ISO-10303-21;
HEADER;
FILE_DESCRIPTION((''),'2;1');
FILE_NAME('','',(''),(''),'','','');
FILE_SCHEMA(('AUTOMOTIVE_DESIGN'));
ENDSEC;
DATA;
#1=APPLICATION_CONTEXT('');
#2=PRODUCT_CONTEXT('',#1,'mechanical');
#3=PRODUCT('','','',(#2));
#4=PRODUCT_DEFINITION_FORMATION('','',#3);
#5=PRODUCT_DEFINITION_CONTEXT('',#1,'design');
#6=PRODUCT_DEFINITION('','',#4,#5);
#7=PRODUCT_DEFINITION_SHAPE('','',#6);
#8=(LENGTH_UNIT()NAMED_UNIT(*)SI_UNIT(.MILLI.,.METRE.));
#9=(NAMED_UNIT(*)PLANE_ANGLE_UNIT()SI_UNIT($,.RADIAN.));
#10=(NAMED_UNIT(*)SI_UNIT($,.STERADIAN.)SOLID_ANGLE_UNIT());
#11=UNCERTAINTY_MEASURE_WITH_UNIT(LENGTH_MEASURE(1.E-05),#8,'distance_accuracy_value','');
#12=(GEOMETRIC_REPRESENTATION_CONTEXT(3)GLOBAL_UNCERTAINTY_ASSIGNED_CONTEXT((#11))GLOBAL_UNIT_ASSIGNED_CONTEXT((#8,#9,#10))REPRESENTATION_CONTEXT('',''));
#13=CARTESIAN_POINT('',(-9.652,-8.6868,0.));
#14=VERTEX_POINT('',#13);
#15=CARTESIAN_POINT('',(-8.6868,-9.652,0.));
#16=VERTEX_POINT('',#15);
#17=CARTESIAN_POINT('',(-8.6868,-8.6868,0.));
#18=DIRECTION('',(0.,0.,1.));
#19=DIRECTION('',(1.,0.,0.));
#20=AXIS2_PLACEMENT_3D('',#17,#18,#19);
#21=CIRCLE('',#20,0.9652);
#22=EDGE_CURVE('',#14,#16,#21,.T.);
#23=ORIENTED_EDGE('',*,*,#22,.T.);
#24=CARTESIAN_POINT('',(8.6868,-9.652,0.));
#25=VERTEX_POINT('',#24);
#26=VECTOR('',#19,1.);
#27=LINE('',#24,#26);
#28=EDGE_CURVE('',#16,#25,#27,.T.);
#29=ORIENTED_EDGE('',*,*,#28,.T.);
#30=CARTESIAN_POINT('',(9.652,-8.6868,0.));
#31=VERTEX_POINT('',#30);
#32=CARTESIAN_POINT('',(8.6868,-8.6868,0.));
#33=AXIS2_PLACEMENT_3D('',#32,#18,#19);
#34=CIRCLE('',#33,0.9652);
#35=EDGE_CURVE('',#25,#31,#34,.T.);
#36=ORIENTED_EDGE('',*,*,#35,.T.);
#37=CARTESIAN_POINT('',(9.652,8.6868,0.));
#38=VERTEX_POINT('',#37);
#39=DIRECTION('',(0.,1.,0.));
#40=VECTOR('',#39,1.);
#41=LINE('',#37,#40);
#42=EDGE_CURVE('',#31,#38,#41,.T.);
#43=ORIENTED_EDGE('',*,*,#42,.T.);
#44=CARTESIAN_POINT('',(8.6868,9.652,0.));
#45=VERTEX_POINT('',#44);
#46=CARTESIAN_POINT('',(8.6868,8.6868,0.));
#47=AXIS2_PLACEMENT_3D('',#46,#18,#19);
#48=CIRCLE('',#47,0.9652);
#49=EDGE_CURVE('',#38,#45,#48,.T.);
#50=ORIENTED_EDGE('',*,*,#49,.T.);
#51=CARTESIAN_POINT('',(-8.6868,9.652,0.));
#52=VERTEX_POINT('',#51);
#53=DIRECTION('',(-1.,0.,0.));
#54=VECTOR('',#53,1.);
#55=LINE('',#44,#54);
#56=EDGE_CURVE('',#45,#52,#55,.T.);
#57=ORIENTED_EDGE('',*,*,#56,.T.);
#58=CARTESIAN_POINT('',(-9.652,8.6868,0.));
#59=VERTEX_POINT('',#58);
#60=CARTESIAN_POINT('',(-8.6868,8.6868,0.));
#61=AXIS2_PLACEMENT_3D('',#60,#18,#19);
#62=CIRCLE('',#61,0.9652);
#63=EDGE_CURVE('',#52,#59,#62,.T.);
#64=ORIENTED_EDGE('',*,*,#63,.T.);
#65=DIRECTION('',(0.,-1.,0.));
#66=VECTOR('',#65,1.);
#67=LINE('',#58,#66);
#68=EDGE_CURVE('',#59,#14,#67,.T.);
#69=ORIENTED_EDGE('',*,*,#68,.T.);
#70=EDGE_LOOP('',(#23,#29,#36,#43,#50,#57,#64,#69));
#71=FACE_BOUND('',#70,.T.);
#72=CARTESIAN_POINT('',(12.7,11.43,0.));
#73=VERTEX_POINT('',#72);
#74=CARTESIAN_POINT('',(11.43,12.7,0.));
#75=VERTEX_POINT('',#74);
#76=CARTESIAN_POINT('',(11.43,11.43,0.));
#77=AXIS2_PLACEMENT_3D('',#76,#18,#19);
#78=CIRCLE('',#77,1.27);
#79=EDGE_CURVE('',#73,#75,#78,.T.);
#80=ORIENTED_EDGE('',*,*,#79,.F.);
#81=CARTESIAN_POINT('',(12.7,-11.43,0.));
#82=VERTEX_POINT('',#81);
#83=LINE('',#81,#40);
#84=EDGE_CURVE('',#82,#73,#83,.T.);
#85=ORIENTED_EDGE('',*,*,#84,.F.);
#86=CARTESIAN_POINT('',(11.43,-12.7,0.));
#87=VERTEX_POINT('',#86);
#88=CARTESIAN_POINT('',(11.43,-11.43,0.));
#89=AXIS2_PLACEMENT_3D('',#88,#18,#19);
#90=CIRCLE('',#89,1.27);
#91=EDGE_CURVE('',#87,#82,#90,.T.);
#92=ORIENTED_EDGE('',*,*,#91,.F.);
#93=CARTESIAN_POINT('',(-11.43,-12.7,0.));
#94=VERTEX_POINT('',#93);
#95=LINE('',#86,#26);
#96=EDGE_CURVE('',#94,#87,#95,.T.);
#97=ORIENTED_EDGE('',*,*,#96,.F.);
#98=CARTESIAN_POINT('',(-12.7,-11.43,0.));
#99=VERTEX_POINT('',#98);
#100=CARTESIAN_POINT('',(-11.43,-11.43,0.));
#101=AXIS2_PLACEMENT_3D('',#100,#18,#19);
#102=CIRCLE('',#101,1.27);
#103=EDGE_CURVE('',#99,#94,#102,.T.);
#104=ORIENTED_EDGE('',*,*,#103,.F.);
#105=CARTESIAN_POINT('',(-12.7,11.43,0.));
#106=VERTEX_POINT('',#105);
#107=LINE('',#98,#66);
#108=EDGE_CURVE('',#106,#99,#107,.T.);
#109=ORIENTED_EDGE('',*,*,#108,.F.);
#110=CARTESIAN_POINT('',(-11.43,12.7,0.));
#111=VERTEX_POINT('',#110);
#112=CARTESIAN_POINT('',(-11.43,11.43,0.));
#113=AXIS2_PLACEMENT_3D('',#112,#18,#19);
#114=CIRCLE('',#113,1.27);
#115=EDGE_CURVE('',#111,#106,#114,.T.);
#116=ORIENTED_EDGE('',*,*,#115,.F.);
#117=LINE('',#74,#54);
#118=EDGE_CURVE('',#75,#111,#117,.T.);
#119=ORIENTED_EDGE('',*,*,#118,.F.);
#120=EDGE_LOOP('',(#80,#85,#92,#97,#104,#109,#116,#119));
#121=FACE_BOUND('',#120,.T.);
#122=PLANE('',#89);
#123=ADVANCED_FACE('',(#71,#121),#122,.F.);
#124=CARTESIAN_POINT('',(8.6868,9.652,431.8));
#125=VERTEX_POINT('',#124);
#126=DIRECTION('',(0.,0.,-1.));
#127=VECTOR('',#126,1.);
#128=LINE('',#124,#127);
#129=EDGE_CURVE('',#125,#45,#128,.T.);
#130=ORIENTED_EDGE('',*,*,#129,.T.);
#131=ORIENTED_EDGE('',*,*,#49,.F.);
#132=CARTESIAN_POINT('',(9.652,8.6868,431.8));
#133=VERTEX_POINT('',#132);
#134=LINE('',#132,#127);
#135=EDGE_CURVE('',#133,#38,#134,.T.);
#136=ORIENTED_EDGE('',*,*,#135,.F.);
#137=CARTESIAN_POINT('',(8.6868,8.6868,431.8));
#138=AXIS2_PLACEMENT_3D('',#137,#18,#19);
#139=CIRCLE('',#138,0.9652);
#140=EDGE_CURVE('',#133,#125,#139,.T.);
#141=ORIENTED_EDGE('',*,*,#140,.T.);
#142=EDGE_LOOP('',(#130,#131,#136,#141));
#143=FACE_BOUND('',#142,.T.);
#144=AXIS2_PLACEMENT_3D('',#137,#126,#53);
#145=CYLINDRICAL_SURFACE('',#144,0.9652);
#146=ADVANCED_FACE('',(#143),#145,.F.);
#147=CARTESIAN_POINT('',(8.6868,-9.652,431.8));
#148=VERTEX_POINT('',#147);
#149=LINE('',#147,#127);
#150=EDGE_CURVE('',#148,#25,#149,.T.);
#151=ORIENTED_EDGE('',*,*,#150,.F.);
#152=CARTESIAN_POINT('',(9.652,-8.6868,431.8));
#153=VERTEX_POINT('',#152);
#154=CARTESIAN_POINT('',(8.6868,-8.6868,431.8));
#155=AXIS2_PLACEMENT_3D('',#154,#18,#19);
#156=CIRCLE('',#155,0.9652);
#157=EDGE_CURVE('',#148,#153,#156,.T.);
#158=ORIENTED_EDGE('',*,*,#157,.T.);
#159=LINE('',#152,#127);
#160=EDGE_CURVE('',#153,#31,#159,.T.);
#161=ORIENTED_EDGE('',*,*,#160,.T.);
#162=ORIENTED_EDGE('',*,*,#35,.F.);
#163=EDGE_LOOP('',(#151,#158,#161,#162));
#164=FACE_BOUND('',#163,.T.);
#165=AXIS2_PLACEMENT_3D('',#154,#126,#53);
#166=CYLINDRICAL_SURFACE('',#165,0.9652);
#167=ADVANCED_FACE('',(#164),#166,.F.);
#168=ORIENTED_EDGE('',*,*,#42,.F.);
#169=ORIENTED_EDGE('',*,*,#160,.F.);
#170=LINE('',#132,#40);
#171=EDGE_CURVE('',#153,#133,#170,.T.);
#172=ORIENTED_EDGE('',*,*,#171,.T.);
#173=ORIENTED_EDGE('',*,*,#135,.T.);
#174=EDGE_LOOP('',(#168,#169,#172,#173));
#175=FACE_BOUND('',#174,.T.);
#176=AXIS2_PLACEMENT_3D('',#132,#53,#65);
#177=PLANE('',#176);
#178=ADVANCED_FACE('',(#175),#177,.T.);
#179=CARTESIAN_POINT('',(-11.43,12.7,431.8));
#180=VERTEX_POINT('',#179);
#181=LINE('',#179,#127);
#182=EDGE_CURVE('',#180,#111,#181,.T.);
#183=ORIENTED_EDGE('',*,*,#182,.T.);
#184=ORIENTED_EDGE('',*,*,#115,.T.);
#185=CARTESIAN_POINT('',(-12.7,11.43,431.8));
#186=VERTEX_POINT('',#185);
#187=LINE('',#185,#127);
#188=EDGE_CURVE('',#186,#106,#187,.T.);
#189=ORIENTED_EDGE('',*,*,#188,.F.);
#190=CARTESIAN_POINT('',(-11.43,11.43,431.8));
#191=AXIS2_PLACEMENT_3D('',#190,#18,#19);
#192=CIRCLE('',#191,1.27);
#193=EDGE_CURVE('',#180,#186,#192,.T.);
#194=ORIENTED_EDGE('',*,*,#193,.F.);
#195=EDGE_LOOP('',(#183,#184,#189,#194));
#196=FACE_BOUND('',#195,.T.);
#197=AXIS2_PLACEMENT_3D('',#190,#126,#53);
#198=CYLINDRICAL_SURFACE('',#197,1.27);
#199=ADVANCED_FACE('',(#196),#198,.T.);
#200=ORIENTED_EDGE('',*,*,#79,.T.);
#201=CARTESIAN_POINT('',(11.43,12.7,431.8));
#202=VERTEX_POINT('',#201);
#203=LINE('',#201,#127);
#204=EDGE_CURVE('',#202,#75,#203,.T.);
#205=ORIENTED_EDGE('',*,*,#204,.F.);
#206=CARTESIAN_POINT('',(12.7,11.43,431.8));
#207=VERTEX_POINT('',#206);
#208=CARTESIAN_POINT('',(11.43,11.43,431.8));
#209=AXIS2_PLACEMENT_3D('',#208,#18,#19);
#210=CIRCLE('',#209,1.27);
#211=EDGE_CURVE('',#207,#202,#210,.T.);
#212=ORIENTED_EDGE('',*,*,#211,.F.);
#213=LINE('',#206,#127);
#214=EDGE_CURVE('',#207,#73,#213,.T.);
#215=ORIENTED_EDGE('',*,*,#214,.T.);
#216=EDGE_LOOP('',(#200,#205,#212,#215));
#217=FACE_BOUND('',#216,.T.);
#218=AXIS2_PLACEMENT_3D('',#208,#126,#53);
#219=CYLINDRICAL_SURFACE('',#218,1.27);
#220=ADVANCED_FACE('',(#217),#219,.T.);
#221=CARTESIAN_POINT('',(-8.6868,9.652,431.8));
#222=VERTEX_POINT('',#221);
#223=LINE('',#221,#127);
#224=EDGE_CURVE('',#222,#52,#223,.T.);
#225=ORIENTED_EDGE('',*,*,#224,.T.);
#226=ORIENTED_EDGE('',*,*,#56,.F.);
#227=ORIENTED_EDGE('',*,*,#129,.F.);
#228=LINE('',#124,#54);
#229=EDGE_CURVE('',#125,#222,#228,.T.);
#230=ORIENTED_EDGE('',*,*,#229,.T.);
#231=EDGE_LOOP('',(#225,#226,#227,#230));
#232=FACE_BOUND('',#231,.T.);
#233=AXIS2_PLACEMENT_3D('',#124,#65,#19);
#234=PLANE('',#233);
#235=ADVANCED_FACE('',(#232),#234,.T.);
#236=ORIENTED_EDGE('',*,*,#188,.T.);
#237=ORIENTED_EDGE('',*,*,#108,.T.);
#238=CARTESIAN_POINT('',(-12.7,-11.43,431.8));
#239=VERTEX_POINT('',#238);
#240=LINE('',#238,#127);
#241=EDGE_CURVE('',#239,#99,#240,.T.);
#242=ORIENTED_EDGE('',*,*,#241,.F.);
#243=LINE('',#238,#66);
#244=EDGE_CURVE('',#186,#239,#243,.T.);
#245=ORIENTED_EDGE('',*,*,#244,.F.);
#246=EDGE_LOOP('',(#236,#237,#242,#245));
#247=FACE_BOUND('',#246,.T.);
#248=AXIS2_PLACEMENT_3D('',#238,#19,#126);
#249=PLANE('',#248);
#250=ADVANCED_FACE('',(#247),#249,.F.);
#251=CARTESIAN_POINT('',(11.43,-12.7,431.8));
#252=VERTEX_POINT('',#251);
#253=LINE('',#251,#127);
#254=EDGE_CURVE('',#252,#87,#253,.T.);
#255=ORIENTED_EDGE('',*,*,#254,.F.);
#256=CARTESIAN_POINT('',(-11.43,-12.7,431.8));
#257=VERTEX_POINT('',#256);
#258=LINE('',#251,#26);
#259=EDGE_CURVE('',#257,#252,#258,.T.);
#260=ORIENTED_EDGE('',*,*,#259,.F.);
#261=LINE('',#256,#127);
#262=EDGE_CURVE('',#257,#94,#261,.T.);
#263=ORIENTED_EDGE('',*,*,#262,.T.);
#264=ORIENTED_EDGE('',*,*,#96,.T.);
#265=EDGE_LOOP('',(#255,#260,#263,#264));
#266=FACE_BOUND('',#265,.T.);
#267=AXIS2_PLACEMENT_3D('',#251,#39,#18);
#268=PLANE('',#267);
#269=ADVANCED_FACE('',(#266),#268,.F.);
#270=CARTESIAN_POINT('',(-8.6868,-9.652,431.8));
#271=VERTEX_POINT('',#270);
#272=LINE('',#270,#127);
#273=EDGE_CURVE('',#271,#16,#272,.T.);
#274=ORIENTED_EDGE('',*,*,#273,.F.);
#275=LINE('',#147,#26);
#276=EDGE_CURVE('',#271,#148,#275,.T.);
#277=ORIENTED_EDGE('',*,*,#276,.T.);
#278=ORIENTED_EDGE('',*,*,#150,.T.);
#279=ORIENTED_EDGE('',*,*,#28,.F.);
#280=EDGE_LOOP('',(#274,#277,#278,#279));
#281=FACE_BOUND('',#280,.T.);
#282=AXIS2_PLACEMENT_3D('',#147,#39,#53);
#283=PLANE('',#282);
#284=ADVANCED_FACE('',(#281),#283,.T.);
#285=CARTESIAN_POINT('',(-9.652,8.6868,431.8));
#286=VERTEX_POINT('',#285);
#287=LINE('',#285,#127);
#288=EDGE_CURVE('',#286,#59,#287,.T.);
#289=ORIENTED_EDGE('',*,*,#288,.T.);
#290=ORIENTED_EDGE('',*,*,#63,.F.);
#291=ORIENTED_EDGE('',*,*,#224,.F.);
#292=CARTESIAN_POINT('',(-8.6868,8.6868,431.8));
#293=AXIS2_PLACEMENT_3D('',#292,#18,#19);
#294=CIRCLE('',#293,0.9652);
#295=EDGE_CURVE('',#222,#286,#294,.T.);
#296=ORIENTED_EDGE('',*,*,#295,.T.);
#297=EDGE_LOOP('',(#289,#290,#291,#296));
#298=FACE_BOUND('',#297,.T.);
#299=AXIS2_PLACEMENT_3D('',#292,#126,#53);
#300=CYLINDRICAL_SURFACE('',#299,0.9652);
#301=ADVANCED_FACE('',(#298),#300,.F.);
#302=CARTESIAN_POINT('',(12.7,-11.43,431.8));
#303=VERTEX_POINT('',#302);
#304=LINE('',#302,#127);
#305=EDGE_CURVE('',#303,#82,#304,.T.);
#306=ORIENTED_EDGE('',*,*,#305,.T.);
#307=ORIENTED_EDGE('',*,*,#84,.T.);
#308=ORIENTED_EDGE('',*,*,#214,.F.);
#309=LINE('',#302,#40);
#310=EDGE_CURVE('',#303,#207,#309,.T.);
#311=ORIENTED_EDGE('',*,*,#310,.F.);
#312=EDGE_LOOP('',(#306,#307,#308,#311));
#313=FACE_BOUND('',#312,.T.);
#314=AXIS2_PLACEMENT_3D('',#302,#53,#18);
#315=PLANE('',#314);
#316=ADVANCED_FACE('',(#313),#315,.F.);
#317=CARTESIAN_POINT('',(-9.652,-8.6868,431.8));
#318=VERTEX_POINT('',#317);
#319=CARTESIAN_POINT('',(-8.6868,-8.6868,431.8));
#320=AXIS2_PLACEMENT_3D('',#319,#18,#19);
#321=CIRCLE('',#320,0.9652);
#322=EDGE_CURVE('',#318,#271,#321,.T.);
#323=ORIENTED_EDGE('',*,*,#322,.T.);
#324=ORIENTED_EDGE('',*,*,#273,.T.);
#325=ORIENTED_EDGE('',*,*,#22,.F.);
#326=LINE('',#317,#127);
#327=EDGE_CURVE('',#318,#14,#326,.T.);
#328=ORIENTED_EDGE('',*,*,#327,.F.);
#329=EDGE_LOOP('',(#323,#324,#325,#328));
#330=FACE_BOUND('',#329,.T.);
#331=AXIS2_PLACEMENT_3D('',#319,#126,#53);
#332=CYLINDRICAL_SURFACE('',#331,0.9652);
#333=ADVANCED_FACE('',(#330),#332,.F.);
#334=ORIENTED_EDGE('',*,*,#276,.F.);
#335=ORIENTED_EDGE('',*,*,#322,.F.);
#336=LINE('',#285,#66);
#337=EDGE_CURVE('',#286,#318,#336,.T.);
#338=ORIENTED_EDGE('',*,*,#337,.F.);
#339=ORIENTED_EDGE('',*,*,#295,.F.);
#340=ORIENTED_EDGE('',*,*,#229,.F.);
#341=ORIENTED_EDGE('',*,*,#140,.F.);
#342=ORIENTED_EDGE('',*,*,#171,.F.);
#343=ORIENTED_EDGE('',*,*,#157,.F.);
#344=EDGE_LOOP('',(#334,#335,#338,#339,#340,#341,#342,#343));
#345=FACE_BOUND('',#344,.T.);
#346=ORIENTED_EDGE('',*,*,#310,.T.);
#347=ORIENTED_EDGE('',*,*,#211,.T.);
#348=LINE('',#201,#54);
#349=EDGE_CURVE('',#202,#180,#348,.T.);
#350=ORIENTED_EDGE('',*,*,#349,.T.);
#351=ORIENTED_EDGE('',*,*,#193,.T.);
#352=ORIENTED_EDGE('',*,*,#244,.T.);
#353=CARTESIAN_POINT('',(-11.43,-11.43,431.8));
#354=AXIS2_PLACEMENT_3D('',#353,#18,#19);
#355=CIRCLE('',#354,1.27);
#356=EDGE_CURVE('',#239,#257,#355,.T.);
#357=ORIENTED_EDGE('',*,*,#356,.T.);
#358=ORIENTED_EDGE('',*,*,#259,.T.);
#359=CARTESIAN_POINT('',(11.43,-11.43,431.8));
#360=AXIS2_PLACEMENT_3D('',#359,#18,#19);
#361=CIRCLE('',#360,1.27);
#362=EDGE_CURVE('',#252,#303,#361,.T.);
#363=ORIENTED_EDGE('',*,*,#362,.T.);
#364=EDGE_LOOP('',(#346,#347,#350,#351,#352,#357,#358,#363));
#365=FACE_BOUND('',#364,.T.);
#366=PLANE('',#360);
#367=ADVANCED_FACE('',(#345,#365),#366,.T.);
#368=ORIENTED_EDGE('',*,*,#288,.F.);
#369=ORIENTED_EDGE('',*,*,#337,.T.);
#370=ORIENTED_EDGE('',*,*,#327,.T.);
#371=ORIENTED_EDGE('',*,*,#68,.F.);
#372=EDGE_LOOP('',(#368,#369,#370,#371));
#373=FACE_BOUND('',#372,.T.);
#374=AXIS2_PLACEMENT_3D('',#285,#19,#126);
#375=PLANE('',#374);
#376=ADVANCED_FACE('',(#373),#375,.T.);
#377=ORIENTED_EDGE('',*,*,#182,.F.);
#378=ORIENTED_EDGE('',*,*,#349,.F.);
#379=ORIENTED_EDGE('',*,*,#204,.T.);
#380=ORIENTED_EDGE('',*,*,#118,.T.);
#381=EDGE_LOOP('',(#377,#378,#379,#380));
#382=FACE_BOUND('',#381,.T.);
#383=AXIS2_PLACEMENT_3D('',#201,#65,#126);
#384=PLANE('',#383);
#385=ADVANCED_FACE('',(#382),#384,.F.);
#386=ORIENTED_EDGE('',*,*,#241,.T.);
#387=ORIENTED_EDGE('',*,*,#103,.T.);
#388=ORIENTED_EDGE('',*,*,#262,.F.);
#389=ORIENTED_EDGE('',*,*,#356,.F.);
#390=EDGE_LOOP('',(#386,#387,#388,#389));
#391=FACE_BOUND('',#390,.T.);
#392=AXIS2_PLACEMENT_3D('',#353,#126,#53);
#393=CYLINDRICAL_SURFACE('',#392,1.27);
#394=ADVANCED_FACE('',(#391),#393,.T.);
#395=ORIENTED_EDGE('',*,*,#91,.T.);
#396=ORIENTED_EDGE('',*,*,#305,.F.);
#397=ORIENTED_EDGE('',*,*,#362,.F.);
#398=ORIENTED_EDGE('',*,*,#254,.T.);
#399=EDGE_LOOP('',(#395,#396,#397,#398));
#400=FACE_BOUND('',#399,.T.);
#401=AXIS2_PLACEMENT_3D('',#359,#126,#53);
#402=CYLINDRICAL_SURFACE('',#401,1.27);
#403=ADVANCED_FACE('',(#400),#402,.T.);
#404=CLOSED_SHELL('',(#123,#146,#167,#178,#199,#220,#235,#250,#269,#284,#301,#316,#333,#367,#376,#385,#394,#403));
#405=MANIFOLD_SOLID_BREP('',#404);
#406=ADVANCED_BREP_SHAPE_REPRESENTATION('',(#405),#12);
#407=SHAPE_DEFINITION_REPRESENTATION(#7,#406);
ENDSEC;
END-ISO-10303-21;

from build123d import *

# Parameters (mm, degrees)
BOSS_EXTRUDE1_DEPTH = 431.8


with BuildPart() as part:
    # Sketch4 → Boss-Extrude1 (new body)
    with BuildSketch(Plane.XY):
        with BuildLine():
            Line((12.7, -11.43), (12.7, 11.43))
            ThreePointArc((12.7, 11.43), (12.328025612, 12.328025612), (11.43, 12.7))
            Line((11.43, 12.7), (-11.43, 12.7))
            ThreePointArc((-11.43, 12.7), (-12.328025612, 12.328025612), (-12.7, 11.43))
            Line((-12.7, 11.43), (-12.7, -11.43))
            ThreePointArc((-12.7, -11.43), (-12.328025612, -12.328025612), (-11.43, -12.7))
            Line((-11.43, -12.7), (11.43, -12.7))
            ThreePointArc((11.43, -12.7), (12.328025612, -12.328025612), (12.7, -11.43))
        make_face()
        with BuildLine():
            Line((9.652, 8.6868), (9.652, -8.6868))
            ThreePointArc((9.652, -8.6868), (9.369299465, -9.369299465), (8.6868, -9.652))
            Line((8.6868, -9.652), (-8.6868, -9.652))
            ThreePointArc((-8.6868, -9.652), (-9.369299465, -9.369299465), (-9.652, -8.6868))
            Line((-9.652, -8.6868), (-9.652, 8.6868))
            ThreePointArc((-9.652, 8.6868), (-9.369299465, 9.369299465), (-8.6868, 9.652))
            Line((-8.6868, 9.652), (8.6868, 9.652))
            ThreePointArc((8.6868, 9.652), (9.369299465, 9.369299465), (9.652, 8.6868))
        make_face(mode=Mode.SUBTRACT)
    extrude(amount=BOSS_EXTRUDE1_DEPTH)


solid = part.part
